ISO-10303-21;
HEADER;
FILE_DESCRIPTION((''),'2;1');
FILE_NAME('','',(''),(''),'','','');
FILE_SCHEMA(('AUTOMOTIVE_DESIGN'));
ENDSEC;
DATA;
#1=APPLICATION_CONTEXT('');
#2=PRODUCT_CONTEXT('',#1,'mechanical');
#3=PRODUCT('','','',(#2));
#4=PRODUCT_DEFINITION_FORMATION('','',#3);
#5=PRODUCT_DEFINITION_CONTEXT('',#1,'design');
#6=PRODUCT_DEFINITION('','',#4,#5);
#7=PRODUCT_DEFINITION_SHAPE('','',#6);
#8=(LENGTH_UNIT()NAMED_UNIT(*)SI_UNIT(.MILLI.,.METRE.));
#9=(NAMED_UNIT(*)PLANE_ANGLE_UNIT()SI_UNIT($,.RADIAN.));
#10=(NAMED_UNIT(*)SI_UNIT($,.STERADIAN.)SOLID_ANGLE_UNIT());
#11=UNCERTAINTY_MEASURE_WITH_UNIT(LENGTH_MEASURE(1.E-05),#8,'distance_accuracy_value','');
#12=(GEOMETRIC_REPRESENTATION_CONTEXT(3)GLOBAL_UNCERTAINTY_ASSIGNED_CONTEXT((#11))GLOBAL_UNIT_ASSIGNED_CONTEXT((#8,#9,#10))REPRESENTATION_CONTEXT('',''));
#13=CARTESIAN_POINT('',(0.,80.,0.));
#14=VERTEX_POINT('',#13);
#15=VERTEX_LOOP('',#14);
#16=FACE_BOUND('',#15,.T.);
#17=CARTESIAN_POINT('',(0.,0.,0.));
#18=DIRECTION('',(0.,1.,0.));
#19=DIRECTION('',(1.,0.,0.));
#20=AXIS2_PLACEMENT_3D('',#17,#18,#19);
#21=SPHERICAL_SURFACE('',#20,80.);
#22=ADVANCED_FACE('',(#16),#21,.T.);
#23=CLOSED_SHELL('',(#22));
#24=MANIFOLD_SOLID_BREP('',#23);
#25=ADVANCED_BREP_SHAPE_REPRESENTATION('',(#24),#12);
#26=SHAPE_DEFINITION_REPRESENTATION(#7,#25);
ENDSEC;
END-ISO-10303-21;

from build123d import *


with BuildPart() as part:
    # Sketch1 → Revolve1 (revolve)
    with BuildSketch(Plane.XY):
        with BuildLine():
            Line((0, 80), (0, 76))
            Line((0, 76), (0, -76))
            Line((0, -76), (0, -80))
            ThreePointArc((0, -80), (-80, 0), (0, 80))
        make_face()
    revolve(axis=Axis((0, 105.084210526, 0), (0, -1, 0)))


solid = part.part
